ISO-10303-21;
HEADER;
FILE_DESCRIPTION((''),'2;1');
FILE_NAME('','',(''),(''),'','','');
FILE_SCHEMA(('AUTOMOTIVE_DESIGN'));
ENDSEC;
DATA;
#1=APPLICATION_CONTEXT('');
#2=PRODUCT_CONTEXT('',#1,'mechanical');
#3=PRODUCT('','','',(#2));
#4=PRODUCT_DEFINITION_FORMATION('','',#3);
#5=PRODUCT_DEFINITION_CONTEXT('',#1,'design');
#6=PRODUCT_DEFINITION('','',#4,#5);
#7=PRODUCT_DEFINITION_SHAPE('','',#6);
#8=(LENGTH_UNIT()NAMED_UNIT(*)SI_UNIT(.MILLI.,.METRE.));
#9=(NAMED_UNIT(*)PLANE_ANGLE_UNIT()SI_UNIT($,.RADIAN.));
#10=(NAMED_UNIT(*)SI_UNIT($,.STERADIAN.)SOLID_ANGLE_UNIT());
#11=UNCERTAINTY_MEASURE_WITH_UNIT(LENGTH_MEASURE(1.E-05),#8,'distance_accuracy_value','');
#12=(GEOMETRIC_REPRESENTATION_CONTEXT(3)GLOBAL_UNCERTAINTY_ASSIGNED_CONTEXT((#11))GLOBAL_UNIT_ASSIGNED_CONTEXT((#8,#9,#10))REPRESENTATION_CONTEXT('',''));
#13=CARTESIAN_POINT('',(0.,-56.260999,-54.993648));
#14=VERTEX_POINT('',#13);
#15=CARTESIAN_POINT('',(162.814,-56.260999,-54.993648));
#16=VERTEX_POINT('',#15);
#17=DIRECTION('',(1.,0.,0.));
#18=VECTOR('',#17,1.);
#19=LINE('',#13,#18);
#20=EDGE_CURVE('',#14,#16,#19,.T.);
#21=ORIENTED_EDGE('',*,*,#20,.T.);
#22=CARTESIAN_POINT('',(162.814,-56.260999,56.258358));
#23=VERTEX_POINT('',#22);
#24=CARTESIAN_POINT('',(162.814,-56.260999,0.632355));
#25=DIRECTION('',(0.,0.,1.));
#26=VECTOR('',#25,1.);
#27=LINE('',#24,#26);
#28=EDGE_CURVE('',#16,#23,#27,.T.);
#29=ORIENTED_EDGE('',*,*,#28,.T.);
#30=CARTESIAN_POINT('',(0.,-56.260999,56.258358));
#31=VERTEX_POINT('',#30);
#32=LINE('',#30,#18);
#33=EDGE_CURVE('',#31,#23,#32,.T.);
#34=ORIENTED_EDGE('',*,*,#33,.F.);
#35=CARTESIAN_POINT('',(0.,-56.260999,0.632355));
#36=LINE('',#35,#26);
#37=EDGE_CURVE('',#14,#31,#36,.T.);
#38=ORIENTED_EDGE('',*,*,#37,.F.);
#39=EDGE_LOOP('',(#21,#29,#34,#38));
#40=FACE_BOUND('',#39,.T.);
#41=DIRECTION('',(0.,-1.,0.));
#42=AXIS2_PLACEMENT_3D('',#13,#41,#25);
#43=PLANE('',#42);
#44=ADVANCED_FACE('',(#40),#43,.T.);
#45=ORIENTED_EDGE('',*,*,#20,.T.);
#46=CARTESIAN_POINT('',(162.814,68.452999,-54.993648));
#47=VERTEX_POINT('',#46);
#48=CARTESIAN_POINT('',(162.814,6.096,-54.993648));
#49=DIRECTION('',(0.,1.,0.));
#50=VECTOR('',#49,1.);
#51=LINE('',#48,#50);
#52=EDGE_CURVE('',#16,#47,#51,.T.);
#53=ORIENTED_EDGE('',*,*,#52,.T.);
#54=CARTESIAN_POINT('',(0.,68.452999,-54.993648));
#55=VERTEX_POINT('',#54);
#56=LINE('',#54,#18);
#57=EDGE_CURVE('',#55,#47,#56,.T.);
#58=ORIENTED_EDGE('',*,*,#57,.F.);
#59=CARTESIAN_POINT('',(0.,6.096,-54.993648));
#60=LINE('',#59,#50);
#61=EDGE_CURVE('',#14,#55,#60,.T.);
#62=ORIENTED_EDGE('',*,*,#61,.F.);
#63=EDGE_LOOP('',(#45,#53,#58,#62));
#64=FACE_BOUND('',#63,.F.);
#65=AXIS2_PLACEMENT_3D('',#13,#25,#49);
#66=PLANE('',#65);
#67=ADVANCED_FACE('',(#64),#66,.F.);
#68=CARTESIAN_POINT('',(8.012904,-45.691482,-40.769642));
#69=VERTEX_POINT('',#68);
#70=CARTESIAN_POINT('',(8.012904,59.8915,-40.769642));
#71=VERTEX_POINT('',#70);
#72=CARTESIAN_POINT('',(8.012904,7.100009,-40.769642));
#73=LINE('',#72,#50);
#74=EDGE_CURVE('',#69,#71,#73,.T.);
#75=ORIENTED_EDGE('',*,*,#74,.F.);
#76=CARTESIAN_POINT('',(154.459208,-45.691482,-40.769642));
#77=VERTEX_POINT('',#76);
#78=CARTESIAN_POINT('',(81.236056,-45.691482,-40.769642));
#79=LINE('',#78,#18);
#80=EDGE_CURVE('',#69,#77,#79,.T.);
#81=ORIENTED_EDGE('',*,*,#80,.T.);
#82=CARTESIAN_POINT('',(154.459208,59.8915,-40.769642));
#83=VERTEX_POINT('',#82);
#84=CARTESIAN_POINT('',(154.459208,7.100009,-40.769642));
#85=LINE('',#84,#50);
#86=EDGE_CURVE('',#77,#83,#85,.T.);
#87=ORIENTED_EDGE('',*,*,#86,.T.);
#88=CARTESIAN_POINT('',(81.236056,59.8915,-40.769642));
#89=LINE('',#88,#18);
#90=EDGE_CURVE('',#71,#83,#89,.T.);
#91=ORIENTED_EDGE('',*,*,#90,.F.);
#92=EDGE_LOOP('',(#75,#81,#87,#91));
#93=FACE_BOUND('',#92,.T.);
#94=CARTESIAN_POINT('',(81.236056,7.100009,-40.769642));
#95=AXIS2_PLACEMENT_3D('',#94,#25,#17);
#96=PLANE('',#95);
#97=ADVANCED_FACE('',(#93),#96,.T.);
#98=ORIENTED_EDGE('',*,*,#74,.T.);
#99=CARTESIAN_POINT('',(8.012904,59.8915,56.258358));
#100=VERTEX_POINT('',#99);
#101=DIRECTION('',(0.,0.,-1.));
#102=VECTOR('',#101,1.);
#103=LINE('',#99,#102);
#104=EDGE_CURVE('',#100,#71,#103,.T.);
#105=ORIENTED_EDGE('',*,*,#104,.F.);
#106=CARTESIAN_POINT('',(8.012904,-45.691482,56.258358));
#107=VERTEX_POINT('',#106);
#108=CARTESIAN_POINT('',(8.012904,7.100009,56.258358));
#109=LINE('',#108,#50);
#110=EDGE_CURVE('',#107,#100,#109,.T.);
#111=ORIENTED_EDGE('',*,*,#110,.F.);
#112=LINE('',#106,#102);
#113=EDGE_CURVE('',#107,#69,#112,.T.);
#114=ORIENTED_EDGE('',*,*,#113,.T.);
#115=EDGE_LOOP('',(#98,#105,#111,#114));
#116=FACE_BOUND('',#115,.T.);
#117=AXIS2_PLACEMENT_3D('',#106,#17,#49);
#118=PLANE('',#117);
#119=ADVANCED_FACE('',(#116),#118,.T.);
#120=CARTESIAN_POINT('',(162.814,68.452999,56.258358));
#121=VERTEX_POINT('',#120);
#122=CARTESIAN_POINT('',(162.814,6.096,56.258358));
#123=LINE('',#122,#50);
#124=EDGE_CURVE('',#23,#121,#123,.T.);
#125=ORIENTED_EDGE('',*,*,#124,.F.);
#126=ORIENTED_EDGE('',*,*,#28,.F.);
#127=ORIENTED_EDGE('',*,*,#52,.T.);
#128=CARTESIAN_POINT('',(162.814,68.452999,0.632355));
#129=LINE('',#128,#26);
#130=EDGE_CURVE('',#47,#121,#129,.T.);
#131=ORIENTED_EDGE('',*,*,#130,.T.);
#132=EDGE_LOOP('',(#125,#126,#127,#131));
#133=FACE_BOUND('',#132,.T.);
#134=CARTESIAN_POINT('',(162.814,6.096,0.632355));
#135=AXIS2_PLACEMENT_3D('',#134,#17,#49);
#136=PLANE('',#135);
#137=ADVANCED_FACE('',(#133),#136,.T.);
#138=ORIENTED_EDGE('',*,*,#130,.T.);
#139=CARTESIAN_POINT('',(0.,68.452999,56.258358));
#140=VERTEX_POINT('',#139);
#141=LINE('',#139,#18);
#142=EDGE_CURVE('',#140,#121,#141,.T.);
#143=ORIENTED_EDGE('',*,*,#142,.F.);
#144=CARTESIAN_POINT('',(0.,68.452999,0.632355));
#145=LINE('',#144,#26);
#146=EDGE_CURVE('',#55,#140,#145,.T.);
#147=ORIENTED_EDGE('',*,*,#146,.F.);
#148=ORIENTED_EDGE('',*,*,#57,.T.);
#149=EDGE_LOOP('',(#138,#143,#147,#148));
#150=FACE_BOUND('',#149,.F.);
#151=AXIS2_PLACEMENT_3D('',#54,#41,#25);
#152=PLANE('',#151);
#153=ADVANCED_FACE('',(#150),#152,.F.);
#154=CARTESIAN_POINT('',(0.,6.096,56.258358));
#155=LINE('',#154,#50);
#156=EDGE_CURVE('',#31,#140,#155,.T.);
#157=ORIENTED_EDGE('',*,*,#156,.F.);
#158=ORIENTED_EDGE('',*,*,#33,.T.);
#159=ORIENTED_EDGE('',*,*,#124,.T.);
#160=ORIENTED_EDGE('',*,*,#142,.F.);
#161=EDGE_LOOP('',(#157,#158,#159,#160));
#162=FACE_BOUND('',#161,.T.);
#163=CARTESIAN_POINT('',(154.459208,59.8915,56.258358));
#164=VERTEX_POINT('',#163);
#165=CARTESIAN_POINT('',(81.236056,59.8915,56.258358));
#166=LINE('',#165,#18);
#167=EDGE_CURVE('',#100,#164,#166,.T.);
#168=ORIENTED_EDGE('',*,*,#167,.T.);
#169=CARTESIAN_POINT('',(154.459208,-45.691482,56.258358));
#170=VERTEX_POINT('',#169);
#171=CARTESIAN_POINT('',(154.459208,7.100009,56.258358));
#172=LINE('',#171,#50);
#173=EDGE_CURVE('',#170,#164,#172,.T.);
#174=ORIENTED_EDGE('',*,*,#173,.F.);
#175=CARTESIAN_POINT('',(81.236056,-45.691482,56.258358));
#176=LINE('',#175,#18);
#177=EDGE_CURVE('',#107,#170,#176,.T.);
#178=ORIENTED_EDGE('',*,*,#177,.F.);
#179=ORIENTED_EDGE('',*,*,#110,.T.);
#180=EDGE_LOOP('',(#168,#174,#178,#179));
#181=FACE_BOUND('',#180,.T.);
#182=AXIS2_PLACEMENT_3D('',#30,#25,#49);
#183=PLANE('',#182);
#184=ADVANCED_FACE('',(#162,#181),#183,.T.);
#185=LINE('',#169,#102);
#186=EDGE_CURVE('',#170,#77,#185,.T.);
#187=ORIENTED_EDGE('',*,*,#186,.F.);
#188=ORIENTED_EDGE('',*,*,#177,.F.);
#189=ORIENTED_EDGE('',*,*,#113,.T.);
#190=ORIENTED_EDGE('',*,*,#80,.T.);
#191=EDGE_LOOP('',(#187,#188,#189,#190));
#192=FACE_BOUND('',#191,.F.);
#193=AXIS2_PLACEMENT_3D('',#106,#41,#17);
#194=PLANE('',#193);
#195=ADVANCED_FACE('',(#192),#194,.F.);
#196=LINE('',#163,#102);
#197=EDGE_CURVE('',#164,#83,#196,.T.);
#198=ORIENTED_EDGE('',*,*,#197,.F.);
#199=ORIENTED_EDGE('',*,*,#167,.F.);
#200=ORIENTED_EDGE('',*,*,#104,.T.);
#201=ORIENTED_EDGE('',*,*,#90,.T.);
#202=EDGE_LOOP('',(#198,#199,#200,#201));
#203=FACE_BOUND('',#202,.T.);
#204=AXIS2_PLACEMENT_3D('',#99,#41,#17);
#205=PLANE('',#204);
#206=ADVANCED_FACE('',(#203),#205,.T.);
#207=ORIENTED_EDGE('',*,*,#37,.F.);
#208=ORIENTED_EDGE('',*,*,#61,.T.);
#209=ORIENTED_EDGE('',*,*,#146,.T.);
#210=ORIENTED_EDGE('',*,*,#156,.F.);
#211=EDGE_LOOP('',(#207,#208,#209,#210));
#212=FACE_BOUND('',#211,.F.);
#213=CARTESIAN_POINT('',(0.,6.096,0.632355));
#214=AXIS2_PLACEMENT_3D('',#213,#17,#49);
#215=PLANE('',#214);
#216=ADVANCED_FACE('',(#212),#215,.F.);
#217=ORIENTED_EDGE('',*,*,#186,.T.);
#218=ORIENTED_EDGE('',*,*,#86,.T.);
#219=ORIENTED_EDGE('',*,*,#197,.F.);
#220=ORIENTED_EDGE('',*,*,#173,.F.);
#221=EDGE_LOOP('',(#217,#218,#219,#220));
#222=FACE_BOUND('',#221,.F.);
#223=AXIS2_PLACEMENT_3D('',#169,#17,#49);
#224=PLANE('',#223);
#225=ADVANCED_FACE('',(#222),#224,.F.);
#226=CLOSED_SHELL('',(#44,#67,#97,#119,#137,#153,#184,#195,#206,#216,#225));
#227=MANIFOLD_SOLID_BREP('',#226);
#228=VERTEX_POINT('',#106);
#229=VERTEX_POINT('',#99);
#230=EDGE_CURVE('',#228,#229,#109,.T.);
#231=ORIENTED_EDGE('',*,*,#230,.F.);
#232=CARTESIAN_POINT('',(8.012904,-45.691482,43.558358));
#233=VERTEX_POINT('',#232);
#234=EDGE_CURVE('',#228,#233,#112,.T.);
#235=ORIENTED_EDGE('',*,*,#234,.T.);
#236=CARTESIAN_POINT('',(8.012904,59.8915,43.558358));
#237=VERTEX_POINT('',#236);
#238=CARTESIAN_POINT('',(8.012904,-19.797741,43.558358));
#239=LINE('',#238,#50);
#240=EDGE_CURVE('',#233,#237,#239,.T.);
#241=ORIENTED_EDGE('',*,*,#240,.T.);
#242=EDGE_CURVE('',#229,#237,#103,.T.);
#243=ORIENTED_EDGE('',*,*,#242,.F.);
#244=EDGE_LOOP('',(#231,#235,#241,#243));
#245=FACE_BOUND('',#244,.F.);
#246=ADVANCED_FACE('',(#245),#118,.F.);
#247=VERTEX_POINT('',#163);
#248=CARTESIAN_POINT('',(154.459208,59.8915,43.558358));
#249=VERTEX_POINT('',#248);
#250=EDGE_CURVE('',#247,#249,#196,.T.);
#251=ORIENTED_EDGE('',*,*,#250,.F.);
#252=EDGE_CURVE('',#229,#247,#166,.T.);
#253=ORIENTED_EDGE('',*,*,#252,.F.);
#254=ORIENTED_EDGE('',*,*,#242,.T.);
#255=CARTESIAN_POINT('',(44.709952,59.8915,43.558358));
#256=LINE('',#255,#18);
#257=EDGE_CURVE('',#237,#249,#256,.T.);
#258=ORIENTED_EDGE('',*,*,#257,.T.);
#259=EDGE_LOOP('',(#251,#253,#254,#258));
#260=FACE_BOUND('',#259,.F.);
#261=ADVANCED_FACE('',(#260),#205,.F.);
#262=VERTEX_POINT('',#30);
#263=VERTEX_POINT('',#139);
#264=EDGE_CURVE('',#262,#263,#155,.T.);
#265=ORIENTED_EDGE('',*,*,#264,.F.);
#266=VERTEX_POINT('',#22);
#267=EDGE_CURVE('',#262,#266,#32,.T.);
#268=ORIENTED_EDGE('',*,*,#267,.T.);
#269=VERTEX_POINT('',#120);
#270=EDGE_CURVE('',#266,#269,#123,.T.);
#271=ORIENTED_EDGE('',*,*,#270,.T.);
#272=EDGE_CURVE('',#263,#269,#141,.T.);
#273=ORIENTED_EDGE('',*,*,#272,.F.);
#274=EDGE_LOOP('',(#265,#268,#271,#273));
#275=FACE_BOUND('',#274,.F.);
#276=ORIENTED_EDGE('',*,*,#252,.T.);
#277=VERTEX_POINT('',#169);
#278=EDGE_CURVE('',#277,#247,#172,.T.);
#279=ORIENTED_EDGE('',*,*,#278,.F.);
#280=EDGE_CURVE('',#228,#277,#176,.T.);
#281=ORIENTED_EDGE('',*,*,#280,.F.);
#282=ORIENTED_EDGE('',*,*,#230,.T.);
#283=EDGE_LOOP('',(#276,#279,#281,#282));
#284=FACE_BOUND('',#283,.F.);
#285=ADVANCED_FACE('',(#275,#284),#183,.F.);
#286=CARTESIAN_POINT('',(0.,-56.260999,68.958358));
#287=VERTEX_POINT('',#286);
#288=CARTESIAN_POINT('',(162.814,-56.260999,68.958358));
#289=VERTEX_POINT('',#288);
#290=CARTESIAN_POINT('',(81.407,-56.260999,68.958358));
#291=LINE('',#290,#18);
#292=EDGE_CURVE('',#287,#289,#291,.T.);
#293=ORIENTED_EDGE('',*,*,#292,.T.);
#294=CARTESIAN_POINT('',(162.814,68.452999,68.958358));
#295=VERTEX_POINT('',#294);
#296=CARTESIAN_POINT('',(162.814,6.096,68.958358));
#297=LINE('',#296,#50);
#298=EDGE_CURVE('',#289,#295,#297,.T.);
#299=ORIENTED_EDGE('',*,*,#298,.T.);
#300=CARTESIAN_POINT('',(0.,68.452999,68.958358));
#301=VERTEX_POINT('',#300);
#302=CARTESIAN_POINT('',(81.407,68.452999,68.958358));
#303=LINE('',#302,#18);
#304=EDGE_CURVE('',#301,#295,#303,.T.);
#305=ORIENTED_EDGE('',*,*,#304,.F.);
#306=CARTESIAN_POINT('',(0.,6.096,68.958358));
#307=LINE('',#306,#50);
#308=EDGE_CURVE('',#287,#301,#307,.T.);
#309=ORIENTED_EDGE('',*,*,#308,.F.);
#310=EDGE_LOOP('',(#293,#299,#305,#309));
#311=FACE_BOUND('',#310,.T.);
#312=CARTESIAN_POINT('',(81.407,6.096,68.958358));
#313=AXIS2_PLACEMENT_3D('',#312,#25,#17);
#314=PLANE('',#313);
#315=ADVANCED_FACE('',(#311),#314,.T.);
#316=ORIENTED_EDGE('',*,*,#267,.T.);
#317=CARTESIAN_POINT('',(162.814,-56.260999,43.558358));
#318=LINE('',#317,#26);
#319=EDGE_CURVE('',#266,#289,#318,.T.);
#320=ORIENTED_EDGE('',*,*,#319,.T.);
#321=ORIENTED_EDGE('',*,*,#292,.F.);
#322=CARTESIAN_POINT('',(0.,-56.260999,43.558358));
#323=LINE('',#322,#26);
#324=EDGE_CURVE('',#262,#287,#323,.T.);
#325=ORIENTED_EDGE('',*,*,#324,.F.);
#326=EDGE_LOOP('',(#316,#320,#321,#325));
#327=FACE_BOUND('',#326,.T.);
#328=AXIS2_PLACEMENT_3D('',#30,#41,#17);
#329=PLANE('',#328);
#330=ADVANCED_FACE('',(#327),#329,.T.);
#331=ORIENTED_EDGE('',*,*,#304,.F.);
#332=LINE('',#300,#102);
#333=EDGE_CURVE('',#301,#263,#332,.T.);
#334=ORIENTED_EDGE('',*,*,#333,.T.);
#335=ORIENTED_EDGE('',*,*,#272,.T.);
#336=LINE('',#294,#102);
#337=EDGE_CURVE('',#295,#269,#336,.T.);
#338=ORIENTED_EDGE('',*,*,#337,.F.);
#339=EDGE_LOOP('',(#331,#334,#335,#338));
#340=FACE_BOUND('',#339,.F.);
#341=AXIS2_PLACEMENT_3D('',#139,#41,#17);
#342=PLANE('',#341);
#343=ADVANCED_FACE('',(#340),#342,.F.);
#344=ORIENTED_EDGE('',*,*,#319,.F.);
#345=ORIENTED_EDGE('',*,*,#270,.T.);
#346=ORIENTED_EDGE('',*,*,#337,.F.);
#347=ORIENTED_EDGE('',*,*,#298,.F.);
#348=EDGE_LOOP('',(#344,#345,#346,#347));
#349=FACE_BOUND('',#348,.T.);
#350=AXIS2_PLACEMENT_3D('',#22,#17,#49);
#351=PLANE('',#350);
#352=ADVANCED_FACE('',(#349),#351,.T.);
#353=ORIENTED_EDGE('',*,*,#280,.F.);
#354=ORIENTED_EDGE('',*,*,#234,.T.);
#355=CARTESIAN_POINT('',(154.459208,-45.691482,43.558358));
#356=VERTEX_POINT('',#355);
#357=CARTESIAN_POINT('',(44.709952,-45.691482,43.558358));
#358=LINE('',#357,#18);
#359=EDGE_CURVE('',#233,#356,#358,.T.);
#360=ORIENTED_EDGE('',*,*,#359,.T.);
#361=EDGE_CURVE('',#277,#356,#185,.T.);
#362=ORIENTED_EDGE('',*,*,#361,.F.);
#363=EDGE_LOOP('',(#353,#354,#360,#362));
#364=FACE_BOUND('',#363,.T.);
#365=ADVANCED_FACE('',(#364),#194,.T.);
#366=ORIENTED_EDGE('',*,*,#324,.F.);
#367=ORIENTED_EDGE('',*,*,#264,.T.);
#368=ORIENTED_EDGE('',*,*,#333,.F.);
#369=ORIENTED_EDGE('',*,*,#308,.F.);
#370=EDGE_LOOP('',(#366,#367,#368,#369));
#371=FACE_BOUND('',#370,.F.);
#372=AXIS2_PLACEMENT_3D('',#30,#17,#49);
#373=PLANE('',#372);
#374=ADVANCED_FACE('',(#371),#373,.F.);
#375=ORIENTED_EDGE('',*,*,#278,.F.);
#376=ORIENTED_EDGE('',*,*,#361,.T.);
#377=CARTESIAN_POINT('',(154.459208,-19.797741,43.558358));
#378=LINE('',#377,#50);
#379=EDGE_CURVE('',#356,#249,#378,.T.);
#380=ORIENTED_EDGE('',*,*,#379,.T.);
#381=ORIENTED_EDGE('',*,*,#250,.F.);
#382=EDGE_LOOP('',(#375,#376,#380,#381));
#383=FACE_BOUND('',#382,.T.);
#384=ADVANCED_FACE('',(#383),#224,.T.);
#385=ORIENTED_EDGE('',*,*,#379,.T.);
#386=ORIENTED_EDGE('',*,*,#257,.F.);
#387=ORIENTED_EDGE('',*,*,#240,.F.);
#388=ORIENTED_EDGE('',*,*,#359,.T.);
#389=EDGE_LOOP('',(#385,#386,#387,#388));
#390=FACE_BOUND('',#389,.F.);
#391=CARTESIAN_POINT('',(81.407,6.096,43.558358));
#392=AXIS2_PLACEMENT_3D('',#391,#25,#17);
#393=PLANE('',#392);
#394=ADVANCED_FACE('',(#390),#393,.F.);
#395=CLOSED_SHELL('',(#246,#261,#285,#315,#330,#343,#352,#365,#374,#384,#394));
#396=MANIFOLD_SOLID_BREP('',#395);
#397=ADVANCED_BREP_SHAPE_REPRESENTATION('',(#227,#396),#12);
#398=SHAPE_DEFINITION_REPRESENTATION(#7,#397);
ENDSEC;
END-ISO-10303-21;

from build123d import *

# Parameters (mm, degrees)
F0_W     = 124.713998
F0_H     = 111.252006
F1_DEPTH = 162.814
F2_W     = 146.446304
F2_H     = 105.582983
F3_DEPTH = 97.028
F5_W     = 162.814
F5_H     = 124.713998
F6_DEPTH = 12.7


with BuildPart() as f1:
    # F0 (on Right) → F1 (new body)
    with BuildSketch(Plane.YZ):
        with Locations((6.096, 0.632355)):
            Rectangle(F0_W, F0_H)
    extrude(amount=F1_DEPTH)

    # F2 (on face) → F3 (cut)
    with BuildSketch(Plane.XY.offset(56.258358)):
        with Locations((81.236056, 7.100009)):
            Rectangle(F2_W, F2_H)
    extrude(amount=-F3_DEPTH, mode=Mode.SUBTRACT)


with BuildPart() as f6:
    # F5 (on face) → F6 (new body, symmetric)
    with BuildSketch(Plane.XY.offset(56.258358)):
        with Locations((81.407, 6.096)):
            Rectangle(F5_W, F5_H)
    extrude(amount=F6_DEPTH, both=True)

    # F7: cut F1
    add(f1.part, mode=Mode.SUBTRACT)


solid = Compound([f1.part, f6.part])
